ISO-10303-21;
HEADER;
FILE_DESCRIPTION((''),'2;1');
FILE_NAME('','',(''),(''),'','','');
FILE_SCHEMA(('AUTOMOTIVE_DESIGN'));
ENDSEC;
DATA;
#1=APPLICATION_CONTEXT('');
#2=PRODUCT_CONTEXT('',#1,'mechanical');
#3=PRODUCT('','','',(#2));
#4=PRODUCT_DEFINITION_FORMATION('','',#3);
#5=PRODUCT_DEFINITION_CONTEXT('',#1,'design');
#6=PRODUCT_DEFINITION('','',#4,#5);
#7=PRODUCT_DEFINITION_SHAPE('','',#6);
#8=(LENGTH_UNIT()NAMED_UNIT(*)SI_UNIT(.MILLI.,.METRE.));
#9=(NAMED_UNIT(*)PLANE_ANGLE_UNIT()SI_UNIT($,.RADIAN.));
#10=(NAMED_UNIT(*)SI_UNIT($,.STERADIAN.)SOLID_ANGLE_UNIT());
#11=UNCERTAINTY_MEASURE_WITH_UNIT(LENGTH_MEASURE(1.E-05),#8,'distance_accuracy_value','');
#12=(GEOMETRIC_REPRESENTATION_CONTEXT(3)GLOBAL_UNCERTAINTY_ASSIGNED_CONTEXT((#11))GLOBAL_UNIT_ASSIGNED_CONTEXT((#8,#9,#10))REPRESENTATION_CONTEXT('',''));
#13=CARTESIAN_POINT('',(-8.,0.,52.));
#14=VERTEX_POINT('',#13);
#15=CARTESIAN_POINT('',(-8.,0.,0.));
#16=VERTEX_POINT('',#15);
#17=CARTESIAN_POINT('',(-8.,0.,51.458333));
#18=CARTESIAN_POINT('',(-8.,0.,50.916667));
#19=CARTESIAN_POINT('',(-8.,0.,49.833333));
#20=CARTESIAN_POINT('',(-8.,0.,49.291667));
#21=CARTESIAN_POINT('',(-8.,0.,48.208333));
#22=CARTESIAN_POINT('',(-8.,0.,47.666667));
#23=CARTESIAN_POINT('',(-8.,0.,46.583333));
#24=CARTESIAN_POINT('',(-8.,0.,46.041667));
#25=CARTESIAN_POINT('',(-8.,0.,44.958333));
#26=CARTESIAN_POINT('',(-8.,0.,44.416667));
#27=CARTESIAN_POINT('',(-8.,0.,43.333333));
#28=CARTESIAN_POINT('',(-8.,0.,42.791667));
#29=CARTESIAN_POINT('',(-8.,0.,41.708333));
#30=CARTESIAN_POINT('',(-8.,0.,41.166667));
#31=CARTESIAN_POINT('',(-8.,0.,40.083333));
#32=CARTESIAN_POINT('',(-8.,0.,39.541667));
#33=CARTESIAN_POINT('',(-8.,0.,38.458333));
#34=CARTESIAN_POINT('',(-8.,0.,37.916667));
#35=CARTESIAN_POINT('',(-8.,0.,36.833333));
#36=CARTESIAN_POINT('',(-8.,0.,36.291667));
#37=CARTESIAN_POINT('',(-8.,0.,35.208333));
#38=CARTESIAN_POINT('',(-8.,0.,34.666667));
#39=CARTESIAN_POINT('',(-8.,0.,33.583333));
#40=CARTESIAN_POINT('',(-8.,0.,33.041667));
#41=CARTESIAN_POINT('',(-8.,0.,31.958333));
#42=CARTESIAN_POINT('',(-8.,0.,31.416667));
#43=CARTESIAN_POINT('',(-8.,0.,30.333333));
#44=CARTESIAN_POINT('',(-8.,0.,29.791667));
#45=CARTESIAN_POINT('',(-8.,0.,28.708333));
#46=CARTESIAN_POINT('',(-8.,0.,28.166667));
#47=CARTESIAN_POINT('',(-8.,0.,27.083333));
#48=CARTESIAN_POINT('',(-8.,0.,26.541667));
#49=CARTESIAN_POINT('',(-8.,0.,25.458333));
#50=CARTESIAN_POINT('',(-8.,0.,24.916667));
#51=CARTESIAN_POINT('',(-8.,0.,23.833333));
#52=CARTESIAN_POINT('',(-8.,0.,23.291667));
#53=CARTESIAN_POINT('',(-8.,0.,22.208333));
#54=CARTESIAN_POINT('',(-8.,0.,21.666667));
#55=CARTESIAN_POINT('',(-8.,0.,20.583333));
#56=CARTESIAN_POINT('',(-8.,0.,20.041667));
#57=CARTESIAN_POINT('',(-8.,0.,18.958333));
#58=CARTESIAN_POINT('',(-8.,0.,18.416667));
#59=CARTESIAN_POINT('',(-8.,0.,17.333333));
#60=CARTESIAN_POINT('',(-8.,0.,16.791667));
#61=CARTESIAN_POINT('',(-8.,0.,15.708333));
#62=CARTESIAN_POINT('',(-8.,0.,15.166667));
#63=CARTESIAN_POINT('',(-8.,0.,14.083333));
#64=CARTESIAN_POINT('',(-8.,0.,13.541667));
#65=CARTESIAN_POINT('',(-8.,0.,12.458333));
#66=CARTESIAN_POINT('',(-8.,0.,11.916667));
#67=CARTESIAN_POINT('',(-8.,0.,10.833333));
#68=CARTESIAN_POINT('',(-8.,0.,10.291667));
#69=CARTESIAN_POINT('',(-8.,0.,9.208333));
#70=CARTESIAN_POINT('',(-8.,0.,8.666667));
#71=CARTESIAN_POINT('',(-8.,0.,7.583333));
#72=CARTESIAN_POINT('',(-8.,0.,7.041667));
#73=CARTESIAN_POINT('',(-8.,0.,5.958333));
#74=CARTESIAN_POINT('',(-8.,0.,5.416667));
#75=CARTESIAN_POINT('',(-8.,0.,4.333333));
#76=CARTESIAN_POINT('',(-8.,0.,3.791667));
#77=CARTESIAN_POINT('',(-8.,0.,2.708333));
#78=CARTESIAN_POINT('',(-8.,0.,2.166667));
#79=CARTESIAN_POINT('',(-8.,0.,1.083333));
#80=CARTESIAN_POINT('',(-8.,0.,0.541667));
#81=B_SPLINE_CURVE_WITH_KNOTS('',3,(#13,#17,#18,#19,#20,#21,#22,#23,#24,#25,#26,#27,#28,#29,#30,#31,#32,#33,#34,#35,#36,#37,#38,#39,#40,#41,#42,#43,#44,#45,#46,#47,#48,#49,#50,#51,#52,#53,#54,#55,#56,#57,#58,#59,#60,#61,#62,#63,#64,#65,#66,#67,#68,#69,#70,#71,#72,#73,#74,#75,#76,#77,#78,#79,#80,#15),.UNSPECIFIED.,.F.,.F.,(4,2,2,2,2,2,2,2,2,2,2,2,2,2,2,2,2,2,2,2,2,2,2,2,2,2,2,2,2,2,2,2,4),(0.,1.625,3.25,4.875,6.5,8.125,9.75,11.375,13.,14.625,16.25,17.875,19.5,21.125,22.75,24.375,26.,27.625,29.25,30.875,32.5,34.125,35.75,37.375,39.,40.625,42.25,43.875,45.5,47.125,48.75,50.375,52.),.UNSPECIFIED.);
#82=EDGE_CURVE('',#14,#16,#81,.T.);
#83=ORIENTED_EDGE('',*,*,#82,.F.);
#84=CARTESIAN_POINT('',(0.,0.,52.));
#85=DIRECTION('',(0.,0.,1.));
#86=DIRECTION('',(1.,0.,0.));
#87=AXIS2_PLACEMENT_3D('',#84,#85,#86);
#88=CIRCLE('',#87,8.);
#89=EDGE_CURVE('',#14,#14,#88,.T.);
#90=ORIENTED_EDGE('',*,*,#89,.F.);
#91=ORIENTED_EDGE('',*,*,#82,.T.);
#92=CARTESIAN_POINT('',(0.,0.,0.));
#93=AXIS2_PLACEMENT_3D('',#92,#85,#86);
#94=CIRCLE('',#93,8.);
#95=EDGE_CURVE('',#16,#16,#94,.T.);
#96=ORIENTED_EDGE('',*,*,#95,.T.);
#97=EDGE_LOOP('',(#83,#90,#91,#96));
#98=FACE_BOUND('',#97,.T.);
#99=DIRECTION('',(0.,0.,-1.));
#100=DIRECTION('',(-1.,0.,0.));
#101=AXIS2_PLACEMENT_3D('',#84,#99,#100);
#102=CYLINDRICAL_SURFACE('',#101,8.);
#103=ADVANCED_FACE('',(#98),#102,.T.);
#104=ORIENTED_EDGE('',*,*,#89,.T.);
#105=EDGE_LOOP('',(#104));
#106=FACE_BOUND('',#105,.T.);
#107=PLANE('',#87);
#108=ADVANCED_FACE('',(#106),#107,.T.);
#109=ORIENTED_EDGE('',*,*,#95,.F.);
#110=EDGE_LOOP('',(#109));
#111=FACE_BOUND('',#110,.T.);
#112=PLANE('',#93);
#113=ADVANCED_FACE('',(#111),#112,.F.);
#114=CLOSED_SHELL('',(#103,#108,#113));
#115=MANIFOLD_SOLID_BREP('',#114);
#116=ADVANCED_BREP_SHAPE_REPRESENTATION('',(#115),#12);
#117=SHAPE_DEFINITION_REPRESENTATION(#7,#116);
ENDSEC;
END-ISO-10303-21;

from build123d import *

# Parameters (mm, degrees)
SCHIZZO1_R                   = 8
ESTRUSIONE_ESTRUSIONE1_DEPTH = 52


with BuildPart() as part:
    # Schizzo1 → Estrusione-Estrusione1 (new body)
    with BuildSketch(Plane.XY):
        with Locations(Location((0, 0, 0), (0, 0, 180))):
            Circle(SCHIZZO1_R)
    extrude(amount=ESTRUSIONE_ESTRUSIONE1_DEPTH)


solid = part.part
